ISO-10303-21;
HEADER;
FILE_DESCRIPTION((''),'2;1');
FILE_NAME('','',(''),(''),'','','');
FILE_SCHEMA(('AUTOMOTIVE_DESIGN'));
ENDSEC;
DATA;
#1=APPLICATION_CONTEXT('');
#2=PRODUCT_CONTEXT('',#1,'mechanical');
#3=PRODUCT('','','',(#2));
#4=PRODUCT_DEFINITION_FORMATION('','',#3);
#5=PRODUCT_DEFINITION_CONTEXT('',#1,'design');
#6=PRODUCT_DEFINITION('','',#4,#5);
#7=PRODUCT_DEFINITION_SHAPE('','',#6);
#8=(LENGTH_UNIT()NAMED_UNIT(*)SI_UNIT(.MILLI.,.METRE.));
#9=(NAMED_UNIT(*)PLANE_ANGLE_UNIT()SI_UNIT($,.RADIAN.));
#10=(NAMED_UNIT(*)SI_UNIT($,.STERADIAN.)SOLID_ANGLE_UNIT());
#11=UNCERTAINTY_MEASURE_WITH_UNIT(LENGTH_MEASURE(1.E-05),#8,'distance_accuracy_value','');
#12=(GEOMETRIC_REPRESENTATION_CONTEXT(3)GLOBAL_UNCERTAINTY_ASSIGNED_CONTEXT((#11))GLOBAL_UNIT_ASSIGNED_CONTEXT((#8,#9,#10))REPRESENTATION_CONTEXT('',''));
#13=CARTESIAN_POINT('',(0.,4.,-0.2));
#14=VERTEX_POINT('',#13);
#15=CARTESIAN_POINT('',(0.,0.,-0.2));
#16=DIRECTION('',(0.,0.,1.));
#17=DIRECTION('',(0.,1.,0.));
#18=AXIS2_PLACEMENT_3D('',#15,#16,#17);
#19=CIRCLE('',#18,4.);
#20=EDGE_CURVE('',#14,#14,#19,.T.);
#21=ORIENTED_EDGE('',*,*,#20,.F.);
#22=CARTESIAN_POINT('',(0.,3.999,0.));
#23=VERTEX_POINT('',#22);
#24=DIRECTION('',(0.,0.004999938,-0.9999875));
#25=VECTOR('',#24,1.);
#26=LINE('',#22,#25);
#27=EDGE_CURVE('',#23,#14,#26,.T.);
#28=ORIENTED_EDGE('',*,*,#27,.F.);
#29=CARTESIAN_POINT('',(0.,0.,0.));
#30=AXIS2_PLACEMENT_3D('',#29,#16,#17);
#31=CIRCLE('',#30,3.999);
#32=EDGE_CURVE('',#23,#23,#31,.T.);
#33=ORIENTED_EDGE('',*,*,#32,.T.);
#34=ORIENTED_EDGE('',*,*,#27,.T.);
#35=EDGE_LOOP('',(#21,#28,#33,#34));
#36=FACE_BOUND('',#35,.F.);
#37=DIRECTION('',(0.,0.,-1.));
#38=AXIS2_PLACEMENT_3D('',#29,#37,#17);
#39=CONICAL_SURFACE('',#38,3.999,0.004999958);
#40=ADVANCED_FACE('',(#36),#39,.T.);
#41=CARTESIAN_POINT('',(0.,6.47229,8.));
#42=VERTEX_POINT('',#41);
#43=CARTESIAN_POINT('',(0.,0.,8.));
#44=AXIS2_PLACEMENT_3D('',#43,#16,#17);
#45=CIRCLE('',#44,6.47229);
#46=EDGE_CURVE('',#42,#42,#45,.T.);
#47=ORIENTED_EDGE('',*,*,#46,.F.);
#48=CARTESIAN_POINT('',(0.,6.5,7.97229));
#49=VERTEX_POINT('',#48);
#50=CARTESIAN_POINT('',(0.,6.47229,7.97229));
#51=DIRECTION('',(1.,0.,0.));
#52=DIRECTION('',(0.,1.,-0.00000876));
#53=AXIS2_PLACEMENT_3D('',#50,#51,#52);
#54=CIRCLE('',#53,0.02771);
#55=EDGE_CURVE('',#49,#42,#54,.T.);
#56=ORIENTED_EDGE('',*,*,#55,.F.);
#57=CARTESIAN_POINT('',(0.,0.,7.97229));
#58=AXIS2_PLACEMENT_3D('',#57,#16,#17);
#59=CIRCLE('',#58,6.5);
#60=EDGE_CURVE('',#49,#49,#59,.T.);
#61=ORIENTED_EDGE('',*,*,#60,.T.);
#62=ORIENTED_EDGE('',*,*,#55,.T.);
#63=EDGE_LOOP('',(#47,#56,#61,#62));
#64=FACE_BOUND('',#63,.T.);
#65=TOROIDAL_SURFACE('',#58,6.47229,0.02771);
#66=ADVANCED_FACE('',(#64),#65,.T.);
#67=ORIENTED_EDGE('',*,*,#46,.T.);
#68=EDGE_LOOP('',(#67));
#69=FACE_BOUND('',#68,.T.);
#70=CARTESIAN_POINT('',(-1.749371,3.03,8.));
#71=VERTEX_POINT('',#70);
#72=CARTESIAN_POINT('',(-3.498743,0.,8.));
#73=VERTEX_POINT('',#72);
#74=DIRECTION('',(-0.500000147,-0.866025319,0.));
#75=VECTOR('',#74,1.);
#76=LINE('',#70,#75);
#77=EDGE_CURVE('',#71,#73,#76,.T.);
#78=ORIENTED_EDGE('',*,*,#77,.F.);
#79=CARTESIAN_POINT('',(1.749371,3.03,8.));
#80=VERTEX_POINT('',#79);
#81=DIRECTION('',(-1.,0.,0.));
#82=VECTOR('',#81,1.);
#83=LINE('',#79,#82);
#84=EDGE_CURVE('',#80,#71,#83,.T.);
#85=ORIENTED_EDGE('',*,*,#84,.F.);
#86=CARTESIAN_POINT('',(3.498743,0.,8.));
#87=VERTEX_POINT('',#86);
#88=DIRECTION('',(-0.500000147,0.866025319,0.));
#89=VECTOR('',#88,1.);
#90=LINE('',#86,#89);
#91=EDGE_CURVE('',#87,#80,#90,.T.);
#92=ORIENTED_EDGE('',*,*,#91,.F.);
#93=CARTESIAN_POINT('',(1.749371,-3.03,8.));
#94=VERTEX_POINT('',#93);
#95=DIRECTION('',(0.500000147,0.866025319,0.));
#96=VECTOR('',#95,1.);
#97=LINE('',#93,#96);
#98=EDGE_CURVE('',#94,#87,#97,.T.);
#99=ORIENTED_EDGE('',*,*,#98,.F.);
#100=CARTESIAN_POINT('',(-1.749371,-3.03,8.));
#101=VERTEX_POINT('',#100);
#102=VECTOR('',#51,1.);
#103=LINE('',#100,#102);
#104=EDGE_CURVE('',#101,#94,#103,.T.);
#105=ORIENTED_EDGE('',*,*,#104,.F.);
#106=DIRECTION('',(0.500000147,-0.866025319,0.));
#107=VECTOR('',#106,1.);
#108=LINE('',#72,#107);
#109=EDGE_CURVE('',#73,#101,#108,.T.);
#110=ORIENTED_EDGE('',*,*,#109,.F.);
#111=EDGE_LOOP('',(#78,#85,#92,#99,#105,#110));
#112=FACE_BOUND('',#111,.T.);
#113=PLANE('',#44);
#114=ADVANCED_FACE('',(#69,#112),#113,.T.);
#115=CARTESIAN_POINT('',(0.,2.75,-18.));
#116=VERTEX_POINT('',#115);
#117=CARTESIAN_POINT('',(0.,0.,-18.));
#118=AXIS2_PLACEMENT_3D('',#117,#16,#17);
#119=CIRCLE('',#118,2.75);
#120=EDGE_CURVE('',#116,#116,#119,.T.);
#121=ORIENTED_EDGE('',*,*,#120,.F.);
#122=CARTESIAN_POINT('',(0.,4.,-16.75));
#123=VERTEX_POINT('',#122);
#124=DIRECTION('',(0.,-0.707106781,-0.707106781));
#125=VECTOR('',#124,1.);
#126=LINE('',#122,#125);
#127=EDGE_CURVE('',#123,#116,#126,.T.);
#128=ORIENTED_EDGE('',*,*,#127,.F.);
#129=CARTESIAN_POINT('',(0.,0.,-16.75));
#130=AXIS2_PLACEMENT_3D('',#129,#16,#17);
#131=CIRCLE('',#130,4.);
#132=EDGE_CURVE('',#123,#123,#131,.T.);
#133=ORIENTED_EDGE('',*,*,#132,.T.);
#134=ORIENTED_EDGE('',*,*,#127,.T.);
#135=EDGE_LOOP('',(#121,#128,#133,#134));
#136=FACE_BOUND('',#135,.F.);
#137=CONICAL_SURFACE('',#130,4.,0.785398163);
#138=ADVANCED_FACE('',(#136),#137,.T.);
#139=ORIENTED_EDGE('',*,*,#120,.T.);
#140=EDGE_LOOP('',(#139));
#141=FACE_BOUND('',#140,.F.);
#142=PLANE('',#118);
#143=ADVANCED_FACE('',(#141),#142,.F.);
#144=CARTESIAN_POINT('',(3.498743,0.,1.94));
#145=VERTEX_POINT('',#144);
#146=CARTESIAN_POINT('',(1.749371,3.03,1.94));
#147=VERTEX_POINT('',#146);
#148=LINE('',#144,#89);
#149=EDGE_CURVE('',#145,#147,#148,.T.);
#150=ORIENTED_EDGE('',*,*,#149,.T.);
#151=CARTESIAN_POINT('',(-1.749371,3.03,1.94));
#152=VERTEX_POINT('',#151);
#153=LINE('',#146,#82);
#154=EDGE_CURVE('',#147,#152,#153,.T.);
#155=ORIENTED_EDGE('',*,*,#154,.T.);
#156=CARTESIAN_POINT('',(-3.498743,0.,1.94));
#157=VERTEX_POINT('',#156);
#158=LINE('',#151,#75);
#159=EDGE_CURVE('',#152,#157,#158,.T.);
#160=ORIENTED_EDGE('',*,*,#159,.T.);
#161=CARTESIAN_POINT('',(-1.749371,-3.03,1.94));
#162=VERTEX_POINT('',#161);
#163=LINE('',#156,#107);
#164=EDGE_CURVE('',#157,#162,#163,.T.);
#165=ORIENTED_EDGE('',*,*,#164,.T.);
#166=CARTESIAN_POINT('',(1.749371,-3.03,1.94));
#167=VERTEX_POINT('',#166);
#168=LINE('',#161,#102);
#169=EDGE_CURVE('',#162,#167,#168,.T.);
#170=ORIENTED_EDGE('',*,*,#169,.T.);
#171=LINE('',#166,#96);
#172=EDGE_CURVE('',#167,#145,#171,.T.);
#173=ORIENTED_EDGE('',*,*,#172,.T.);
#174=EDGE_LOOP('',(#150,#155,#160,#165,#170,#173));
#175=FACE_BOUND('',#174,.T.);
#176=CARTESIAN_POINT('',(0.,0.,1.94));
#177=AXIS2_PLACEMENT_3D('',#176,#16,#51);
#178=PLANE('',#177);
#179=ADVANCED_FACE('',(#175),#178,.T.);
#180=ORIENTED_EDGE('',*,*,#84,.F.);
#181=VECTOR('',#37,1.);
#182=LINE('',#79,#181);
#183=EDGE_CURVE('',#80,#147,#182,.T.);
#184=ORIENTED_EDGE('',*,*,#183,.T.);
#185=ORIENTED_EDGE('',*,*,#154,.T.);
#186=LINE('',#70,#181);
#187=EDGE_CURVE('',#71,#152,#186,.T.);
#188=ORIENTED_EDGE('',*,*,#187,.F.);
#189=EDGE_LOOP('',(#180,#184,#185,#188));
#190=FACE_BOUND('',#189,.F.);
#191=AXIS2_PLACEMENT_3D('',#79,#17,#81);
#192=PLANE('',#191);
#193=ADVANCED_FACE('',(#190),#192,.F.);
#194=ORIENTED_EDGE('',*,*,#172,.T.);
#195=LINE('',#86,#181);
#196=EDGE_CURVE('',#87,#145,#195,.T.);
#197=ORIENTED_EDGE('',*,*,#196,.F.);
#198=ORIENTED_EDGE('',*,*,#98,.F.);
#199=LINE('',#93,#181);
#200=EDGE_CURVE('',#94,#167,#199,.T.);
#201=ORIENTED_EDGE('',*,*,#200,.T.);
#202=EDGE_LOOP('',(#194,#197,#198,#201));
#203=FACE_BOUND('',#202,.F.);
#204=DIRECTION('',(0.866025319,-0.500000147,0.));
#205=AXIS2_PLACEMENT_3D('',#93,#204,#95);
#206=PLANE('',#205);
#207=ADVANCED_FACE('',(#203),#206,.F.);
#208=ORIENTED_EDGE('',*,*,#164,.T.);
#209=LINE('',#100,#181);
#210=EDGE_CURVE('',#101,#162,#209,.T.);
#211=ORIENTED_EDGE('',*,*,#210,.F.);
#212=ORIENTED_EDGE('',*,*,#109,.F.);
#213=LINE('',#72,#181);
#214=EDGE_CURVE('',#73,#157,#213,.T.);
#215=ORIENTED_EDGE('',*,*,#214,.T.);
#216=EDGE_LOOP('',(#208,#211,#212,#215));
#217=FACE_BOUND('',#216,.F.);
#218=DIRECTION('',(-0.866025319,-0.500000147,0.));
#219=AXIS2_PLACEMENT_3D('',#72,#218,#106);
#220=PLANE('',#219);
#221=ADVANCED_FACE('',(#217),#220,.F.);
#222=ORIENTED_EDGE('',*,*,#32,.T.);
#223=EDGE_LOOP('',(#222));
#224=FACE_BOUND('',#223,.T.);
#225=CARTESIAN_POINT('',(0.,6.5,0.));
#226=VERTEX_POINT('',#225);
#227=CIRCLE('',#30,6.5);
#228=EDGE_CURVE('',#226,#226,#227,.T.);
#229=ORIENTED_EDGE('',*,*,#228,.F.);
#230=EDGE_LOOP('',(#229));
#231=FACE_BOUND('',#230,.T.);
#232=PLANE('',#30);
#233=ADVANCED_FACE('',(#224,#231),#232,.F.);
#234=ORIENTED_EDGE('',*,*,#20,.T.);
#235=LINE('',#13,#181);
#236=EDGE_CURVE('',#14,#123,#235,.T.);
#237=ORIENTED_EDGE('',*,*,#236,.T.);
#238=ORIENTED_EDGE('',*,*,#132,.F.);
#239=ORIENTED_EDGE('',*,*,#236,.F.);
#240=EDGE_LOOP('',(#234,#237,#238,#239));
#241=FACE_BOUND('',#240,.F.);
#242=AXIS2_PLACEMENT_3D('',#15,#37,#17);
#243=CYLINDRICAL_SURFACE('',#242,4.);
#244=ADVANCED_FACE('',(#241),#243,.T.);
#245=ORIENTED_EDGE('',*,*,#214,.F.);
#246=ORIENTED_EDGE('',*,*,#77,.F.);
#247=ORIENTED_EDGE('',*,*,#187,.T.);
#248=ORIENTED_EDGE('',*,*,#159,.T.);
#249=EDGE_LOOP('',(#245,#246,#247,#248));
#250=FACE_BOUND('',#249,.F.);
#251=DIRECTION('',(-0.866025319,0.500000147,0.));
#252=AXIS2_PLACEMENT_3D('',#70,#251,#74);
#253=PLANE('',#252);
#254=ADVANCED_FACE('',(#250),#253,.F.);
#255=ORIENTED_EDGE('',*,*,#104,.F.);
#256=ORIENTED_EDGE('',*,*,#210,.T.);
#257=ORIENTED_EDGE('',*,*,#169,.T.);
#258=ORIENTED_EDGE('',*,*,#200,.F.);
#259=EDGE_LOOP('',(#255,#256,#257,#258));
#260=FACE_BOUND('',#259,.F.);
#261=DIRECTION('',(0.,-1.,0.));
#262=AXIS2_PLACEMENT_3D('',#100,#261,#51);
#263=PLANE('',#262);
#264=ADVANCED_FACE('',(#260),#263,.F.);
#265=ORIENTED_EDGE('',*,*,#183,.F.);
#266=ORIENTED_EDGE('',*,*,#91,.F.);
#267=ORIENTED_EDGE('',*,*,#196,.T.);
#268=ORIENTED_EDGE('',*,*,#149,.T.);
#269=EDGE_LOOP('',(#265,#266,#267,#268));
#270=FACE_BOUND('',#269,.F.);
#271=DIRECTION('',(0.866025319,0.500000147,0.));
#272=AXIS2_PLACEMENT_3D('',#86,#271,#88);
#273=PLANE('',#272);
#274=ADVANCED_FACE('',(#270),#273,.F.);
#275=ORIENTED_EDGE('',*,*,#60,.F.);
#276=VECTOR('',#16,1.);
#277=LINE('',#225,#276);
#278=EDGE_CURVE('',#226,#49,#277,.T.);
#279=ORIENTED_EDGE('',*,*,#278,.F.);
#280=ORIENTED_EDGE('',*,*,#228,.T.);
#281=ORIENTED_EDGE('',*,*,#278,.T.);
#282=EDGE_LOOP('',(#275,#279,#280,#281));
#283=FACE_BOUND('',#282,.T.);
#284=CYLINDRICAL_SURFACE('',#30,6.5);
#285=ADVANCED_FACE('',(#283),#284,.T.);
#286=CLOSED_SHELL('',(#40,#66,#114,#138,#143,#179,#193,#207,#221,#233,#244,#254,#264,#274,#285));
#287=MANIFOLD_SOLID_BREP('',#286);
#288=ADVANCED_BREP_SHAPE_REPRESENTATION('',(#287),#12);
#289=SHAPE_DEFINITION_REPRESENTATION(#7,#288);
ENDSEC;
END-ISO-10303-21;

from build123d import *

# Parameters (mm, degrees)
POCKET_DEPTH = 6.06


with BuildPart() as part:
    # Sketch → Revolve (revolve)
    with BuildSketch(Plane.YZ):
        with BuildLine():
            Line((3.999, 0), (6.5, 0))
            Line((6.5, 0), (6.5, 7.97229))
            ThreePointArc((6.5, 7.97229), (6.491884, 7.991884), (6.47229, 8))
            Line((6.47229, 8), (0, 8))
            Line((0, -18), (0, 8))
            Line((2.75, -18), (0, -18))
            Line((4, -16.75), (2.75, -18))
            Line((4, -0.2), (4, -16.75))
            Line((3.999, 0), (4, -0.2))
        make_face()
    revolve(axis=Axis((0, 0, 0), (0, 0, 1)))

    # Sketch001 → Pocket (cut)
    with BuildSketch(Plane.XY.offset(8)):
        Polygon((3.498743, 0), (1.749371, 3.03), (-1.749371, 3.03), (-3.498743, 0), (-1.749371, -3.03), (1.749371, -3.03), align=None)
    extrude(amount=-POCKET_DEPTH, mode=Mode.SUBTRACT)


solid = part.part
